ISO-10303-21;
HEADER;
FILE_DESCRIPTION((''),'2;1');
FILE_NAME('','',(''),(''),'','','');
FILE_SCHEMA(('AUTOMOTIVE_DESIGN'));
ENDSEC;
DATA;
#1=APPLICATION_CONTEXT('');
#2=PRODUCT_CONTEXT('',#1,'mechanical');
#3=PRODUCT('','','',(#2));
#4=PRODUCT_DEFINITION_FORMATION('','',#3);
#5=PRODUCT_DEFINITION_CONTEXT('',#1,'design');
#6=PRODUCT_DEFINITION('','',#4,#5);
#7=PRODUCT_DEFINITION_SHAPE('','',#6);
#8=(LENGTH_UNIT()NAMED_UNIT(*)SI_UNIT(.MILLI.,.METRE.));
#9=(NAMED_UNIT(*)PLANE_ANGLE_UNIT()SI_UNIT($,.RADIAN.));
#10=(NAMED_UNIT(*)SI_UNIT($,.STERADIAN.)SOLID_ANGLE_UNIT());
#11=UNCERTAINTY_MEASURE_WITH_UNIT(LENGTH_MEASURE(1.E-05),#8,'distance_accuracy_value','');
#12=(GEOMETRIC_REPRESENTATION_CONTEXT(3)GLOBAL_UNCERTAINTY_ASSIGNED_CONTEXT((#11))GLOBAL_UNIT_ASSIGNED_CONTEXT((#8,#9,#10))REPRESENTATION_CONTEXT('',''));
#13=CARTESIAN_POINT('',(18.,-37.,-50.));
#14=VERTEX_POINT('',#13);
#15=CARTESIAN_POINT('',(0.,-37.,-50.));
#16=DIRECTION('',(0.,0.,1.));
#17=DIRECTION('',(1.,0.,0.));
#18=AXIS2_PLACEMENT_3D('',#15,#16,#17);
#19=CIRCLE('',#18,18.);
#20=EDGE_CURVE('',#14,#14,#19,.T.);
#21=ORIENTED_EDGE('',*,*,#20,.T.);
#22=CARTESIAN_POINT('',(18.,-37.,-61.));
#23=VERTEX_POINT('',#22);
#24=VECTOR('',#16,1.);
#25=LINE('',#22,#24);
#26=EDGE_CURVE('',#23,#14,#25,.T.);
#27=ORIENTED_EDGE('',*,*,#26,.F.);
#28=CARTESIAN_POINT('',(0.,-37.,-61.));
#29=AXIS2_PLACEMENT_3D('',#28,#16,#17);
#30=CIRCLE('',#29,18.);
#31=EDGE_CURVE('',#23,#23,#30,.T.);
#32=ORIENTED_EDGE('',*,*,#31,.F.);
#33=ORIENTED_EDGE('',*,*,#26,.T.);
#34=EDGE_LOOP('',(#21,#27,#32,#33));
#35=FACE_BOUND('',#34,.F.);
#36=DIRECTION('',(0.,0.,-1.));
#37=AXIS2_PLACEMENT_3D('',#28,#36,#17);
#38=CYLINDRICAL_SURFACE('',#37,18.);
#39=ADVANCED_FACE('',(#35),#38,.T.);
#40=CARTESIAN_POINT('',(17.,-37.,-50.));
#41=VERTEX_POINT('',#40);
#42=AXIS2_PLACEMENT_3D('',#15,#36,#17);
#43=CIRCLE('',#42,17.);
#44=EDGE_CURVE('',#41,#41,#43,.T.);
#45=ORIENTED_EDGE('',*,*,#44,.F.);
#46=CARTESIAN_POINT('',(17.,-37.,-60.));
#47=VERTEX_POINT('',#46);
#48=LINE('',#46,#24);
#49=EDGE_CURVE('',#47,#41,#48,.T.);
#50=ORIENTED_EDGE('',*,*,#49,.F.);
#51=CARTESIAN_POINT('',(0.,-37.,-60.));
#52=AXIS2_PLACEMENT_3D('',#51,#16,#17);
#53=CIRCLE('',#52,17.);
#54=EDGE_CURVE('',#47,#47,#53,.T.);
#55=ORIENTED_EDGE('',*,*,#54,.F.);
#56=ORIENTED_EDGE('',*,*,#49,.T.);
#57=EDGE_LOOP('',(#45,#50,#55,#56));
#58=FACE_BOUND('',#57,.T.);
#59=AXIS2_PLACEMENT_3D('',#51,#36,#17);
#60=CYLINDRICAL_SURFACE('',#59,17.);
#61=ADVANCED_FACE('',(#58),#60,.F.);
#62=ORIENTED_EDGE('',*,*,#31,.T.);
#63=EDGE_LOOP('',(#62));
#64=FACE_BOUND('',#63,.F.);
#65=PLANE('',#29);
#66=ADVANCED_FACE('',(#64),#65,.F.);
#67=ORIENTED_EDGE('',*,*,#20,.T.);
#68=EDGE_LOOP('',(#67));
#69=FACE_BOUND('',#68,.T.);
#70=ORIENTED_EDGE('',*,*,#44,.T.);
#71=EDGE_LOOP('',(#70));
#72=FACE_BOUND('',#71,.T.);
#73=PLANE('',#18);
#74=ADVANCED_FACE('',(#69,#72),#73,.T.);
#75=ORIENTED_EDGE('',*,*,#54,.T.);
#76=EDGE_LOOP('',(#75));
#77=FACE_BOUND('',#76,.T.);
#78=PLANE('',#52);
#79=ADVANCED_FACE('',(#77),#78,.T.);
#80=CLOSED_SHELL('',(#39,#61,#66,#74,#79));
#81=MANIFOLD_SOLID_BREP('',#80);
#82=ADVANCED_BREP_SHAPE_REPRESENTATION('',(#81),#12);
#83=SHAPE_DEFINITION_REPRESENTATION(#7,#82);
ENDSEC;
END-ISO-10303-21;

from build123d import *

# Parameters (mm, degrees)
SKETCH020_R  = 17
PAD018_DEPTH = 11
SKETCH019_R  = 18
PAD017_DEPTH = 11


with BuildPart() as body019:
    # Sketch020 → Pad018 (new body)
    with BuildSketch(Plane.XY.offset(-49)):
        with Locations((0, -37)):
            Circle(SKETCH020_R)
    extrude(amount=PAD018_DEPTH)


with BuildPart() as body019_1:
    # Body019 placement: moved
    add(body019.part.moved(Location((0, 0, 1))))


with BuildPart() as petri:
    # Sketch019 → Pad017 (new body)
    with BuildSketch(Plane.XY.offset(-49)):
        with Locations((0, -37)):
            Circle(SKETCH019_R)
    extrude(amount=PAD017_DEPTH)

    # Cut012: cut Body019
    add(body019_1.part, mode=Mode.SUBTRACT)


with BuildPart() as petri_1:
    # Cut012 placement: moved
    add(petri.part.moved(Location((0, 0, -12))))


solid = petri_1.part
